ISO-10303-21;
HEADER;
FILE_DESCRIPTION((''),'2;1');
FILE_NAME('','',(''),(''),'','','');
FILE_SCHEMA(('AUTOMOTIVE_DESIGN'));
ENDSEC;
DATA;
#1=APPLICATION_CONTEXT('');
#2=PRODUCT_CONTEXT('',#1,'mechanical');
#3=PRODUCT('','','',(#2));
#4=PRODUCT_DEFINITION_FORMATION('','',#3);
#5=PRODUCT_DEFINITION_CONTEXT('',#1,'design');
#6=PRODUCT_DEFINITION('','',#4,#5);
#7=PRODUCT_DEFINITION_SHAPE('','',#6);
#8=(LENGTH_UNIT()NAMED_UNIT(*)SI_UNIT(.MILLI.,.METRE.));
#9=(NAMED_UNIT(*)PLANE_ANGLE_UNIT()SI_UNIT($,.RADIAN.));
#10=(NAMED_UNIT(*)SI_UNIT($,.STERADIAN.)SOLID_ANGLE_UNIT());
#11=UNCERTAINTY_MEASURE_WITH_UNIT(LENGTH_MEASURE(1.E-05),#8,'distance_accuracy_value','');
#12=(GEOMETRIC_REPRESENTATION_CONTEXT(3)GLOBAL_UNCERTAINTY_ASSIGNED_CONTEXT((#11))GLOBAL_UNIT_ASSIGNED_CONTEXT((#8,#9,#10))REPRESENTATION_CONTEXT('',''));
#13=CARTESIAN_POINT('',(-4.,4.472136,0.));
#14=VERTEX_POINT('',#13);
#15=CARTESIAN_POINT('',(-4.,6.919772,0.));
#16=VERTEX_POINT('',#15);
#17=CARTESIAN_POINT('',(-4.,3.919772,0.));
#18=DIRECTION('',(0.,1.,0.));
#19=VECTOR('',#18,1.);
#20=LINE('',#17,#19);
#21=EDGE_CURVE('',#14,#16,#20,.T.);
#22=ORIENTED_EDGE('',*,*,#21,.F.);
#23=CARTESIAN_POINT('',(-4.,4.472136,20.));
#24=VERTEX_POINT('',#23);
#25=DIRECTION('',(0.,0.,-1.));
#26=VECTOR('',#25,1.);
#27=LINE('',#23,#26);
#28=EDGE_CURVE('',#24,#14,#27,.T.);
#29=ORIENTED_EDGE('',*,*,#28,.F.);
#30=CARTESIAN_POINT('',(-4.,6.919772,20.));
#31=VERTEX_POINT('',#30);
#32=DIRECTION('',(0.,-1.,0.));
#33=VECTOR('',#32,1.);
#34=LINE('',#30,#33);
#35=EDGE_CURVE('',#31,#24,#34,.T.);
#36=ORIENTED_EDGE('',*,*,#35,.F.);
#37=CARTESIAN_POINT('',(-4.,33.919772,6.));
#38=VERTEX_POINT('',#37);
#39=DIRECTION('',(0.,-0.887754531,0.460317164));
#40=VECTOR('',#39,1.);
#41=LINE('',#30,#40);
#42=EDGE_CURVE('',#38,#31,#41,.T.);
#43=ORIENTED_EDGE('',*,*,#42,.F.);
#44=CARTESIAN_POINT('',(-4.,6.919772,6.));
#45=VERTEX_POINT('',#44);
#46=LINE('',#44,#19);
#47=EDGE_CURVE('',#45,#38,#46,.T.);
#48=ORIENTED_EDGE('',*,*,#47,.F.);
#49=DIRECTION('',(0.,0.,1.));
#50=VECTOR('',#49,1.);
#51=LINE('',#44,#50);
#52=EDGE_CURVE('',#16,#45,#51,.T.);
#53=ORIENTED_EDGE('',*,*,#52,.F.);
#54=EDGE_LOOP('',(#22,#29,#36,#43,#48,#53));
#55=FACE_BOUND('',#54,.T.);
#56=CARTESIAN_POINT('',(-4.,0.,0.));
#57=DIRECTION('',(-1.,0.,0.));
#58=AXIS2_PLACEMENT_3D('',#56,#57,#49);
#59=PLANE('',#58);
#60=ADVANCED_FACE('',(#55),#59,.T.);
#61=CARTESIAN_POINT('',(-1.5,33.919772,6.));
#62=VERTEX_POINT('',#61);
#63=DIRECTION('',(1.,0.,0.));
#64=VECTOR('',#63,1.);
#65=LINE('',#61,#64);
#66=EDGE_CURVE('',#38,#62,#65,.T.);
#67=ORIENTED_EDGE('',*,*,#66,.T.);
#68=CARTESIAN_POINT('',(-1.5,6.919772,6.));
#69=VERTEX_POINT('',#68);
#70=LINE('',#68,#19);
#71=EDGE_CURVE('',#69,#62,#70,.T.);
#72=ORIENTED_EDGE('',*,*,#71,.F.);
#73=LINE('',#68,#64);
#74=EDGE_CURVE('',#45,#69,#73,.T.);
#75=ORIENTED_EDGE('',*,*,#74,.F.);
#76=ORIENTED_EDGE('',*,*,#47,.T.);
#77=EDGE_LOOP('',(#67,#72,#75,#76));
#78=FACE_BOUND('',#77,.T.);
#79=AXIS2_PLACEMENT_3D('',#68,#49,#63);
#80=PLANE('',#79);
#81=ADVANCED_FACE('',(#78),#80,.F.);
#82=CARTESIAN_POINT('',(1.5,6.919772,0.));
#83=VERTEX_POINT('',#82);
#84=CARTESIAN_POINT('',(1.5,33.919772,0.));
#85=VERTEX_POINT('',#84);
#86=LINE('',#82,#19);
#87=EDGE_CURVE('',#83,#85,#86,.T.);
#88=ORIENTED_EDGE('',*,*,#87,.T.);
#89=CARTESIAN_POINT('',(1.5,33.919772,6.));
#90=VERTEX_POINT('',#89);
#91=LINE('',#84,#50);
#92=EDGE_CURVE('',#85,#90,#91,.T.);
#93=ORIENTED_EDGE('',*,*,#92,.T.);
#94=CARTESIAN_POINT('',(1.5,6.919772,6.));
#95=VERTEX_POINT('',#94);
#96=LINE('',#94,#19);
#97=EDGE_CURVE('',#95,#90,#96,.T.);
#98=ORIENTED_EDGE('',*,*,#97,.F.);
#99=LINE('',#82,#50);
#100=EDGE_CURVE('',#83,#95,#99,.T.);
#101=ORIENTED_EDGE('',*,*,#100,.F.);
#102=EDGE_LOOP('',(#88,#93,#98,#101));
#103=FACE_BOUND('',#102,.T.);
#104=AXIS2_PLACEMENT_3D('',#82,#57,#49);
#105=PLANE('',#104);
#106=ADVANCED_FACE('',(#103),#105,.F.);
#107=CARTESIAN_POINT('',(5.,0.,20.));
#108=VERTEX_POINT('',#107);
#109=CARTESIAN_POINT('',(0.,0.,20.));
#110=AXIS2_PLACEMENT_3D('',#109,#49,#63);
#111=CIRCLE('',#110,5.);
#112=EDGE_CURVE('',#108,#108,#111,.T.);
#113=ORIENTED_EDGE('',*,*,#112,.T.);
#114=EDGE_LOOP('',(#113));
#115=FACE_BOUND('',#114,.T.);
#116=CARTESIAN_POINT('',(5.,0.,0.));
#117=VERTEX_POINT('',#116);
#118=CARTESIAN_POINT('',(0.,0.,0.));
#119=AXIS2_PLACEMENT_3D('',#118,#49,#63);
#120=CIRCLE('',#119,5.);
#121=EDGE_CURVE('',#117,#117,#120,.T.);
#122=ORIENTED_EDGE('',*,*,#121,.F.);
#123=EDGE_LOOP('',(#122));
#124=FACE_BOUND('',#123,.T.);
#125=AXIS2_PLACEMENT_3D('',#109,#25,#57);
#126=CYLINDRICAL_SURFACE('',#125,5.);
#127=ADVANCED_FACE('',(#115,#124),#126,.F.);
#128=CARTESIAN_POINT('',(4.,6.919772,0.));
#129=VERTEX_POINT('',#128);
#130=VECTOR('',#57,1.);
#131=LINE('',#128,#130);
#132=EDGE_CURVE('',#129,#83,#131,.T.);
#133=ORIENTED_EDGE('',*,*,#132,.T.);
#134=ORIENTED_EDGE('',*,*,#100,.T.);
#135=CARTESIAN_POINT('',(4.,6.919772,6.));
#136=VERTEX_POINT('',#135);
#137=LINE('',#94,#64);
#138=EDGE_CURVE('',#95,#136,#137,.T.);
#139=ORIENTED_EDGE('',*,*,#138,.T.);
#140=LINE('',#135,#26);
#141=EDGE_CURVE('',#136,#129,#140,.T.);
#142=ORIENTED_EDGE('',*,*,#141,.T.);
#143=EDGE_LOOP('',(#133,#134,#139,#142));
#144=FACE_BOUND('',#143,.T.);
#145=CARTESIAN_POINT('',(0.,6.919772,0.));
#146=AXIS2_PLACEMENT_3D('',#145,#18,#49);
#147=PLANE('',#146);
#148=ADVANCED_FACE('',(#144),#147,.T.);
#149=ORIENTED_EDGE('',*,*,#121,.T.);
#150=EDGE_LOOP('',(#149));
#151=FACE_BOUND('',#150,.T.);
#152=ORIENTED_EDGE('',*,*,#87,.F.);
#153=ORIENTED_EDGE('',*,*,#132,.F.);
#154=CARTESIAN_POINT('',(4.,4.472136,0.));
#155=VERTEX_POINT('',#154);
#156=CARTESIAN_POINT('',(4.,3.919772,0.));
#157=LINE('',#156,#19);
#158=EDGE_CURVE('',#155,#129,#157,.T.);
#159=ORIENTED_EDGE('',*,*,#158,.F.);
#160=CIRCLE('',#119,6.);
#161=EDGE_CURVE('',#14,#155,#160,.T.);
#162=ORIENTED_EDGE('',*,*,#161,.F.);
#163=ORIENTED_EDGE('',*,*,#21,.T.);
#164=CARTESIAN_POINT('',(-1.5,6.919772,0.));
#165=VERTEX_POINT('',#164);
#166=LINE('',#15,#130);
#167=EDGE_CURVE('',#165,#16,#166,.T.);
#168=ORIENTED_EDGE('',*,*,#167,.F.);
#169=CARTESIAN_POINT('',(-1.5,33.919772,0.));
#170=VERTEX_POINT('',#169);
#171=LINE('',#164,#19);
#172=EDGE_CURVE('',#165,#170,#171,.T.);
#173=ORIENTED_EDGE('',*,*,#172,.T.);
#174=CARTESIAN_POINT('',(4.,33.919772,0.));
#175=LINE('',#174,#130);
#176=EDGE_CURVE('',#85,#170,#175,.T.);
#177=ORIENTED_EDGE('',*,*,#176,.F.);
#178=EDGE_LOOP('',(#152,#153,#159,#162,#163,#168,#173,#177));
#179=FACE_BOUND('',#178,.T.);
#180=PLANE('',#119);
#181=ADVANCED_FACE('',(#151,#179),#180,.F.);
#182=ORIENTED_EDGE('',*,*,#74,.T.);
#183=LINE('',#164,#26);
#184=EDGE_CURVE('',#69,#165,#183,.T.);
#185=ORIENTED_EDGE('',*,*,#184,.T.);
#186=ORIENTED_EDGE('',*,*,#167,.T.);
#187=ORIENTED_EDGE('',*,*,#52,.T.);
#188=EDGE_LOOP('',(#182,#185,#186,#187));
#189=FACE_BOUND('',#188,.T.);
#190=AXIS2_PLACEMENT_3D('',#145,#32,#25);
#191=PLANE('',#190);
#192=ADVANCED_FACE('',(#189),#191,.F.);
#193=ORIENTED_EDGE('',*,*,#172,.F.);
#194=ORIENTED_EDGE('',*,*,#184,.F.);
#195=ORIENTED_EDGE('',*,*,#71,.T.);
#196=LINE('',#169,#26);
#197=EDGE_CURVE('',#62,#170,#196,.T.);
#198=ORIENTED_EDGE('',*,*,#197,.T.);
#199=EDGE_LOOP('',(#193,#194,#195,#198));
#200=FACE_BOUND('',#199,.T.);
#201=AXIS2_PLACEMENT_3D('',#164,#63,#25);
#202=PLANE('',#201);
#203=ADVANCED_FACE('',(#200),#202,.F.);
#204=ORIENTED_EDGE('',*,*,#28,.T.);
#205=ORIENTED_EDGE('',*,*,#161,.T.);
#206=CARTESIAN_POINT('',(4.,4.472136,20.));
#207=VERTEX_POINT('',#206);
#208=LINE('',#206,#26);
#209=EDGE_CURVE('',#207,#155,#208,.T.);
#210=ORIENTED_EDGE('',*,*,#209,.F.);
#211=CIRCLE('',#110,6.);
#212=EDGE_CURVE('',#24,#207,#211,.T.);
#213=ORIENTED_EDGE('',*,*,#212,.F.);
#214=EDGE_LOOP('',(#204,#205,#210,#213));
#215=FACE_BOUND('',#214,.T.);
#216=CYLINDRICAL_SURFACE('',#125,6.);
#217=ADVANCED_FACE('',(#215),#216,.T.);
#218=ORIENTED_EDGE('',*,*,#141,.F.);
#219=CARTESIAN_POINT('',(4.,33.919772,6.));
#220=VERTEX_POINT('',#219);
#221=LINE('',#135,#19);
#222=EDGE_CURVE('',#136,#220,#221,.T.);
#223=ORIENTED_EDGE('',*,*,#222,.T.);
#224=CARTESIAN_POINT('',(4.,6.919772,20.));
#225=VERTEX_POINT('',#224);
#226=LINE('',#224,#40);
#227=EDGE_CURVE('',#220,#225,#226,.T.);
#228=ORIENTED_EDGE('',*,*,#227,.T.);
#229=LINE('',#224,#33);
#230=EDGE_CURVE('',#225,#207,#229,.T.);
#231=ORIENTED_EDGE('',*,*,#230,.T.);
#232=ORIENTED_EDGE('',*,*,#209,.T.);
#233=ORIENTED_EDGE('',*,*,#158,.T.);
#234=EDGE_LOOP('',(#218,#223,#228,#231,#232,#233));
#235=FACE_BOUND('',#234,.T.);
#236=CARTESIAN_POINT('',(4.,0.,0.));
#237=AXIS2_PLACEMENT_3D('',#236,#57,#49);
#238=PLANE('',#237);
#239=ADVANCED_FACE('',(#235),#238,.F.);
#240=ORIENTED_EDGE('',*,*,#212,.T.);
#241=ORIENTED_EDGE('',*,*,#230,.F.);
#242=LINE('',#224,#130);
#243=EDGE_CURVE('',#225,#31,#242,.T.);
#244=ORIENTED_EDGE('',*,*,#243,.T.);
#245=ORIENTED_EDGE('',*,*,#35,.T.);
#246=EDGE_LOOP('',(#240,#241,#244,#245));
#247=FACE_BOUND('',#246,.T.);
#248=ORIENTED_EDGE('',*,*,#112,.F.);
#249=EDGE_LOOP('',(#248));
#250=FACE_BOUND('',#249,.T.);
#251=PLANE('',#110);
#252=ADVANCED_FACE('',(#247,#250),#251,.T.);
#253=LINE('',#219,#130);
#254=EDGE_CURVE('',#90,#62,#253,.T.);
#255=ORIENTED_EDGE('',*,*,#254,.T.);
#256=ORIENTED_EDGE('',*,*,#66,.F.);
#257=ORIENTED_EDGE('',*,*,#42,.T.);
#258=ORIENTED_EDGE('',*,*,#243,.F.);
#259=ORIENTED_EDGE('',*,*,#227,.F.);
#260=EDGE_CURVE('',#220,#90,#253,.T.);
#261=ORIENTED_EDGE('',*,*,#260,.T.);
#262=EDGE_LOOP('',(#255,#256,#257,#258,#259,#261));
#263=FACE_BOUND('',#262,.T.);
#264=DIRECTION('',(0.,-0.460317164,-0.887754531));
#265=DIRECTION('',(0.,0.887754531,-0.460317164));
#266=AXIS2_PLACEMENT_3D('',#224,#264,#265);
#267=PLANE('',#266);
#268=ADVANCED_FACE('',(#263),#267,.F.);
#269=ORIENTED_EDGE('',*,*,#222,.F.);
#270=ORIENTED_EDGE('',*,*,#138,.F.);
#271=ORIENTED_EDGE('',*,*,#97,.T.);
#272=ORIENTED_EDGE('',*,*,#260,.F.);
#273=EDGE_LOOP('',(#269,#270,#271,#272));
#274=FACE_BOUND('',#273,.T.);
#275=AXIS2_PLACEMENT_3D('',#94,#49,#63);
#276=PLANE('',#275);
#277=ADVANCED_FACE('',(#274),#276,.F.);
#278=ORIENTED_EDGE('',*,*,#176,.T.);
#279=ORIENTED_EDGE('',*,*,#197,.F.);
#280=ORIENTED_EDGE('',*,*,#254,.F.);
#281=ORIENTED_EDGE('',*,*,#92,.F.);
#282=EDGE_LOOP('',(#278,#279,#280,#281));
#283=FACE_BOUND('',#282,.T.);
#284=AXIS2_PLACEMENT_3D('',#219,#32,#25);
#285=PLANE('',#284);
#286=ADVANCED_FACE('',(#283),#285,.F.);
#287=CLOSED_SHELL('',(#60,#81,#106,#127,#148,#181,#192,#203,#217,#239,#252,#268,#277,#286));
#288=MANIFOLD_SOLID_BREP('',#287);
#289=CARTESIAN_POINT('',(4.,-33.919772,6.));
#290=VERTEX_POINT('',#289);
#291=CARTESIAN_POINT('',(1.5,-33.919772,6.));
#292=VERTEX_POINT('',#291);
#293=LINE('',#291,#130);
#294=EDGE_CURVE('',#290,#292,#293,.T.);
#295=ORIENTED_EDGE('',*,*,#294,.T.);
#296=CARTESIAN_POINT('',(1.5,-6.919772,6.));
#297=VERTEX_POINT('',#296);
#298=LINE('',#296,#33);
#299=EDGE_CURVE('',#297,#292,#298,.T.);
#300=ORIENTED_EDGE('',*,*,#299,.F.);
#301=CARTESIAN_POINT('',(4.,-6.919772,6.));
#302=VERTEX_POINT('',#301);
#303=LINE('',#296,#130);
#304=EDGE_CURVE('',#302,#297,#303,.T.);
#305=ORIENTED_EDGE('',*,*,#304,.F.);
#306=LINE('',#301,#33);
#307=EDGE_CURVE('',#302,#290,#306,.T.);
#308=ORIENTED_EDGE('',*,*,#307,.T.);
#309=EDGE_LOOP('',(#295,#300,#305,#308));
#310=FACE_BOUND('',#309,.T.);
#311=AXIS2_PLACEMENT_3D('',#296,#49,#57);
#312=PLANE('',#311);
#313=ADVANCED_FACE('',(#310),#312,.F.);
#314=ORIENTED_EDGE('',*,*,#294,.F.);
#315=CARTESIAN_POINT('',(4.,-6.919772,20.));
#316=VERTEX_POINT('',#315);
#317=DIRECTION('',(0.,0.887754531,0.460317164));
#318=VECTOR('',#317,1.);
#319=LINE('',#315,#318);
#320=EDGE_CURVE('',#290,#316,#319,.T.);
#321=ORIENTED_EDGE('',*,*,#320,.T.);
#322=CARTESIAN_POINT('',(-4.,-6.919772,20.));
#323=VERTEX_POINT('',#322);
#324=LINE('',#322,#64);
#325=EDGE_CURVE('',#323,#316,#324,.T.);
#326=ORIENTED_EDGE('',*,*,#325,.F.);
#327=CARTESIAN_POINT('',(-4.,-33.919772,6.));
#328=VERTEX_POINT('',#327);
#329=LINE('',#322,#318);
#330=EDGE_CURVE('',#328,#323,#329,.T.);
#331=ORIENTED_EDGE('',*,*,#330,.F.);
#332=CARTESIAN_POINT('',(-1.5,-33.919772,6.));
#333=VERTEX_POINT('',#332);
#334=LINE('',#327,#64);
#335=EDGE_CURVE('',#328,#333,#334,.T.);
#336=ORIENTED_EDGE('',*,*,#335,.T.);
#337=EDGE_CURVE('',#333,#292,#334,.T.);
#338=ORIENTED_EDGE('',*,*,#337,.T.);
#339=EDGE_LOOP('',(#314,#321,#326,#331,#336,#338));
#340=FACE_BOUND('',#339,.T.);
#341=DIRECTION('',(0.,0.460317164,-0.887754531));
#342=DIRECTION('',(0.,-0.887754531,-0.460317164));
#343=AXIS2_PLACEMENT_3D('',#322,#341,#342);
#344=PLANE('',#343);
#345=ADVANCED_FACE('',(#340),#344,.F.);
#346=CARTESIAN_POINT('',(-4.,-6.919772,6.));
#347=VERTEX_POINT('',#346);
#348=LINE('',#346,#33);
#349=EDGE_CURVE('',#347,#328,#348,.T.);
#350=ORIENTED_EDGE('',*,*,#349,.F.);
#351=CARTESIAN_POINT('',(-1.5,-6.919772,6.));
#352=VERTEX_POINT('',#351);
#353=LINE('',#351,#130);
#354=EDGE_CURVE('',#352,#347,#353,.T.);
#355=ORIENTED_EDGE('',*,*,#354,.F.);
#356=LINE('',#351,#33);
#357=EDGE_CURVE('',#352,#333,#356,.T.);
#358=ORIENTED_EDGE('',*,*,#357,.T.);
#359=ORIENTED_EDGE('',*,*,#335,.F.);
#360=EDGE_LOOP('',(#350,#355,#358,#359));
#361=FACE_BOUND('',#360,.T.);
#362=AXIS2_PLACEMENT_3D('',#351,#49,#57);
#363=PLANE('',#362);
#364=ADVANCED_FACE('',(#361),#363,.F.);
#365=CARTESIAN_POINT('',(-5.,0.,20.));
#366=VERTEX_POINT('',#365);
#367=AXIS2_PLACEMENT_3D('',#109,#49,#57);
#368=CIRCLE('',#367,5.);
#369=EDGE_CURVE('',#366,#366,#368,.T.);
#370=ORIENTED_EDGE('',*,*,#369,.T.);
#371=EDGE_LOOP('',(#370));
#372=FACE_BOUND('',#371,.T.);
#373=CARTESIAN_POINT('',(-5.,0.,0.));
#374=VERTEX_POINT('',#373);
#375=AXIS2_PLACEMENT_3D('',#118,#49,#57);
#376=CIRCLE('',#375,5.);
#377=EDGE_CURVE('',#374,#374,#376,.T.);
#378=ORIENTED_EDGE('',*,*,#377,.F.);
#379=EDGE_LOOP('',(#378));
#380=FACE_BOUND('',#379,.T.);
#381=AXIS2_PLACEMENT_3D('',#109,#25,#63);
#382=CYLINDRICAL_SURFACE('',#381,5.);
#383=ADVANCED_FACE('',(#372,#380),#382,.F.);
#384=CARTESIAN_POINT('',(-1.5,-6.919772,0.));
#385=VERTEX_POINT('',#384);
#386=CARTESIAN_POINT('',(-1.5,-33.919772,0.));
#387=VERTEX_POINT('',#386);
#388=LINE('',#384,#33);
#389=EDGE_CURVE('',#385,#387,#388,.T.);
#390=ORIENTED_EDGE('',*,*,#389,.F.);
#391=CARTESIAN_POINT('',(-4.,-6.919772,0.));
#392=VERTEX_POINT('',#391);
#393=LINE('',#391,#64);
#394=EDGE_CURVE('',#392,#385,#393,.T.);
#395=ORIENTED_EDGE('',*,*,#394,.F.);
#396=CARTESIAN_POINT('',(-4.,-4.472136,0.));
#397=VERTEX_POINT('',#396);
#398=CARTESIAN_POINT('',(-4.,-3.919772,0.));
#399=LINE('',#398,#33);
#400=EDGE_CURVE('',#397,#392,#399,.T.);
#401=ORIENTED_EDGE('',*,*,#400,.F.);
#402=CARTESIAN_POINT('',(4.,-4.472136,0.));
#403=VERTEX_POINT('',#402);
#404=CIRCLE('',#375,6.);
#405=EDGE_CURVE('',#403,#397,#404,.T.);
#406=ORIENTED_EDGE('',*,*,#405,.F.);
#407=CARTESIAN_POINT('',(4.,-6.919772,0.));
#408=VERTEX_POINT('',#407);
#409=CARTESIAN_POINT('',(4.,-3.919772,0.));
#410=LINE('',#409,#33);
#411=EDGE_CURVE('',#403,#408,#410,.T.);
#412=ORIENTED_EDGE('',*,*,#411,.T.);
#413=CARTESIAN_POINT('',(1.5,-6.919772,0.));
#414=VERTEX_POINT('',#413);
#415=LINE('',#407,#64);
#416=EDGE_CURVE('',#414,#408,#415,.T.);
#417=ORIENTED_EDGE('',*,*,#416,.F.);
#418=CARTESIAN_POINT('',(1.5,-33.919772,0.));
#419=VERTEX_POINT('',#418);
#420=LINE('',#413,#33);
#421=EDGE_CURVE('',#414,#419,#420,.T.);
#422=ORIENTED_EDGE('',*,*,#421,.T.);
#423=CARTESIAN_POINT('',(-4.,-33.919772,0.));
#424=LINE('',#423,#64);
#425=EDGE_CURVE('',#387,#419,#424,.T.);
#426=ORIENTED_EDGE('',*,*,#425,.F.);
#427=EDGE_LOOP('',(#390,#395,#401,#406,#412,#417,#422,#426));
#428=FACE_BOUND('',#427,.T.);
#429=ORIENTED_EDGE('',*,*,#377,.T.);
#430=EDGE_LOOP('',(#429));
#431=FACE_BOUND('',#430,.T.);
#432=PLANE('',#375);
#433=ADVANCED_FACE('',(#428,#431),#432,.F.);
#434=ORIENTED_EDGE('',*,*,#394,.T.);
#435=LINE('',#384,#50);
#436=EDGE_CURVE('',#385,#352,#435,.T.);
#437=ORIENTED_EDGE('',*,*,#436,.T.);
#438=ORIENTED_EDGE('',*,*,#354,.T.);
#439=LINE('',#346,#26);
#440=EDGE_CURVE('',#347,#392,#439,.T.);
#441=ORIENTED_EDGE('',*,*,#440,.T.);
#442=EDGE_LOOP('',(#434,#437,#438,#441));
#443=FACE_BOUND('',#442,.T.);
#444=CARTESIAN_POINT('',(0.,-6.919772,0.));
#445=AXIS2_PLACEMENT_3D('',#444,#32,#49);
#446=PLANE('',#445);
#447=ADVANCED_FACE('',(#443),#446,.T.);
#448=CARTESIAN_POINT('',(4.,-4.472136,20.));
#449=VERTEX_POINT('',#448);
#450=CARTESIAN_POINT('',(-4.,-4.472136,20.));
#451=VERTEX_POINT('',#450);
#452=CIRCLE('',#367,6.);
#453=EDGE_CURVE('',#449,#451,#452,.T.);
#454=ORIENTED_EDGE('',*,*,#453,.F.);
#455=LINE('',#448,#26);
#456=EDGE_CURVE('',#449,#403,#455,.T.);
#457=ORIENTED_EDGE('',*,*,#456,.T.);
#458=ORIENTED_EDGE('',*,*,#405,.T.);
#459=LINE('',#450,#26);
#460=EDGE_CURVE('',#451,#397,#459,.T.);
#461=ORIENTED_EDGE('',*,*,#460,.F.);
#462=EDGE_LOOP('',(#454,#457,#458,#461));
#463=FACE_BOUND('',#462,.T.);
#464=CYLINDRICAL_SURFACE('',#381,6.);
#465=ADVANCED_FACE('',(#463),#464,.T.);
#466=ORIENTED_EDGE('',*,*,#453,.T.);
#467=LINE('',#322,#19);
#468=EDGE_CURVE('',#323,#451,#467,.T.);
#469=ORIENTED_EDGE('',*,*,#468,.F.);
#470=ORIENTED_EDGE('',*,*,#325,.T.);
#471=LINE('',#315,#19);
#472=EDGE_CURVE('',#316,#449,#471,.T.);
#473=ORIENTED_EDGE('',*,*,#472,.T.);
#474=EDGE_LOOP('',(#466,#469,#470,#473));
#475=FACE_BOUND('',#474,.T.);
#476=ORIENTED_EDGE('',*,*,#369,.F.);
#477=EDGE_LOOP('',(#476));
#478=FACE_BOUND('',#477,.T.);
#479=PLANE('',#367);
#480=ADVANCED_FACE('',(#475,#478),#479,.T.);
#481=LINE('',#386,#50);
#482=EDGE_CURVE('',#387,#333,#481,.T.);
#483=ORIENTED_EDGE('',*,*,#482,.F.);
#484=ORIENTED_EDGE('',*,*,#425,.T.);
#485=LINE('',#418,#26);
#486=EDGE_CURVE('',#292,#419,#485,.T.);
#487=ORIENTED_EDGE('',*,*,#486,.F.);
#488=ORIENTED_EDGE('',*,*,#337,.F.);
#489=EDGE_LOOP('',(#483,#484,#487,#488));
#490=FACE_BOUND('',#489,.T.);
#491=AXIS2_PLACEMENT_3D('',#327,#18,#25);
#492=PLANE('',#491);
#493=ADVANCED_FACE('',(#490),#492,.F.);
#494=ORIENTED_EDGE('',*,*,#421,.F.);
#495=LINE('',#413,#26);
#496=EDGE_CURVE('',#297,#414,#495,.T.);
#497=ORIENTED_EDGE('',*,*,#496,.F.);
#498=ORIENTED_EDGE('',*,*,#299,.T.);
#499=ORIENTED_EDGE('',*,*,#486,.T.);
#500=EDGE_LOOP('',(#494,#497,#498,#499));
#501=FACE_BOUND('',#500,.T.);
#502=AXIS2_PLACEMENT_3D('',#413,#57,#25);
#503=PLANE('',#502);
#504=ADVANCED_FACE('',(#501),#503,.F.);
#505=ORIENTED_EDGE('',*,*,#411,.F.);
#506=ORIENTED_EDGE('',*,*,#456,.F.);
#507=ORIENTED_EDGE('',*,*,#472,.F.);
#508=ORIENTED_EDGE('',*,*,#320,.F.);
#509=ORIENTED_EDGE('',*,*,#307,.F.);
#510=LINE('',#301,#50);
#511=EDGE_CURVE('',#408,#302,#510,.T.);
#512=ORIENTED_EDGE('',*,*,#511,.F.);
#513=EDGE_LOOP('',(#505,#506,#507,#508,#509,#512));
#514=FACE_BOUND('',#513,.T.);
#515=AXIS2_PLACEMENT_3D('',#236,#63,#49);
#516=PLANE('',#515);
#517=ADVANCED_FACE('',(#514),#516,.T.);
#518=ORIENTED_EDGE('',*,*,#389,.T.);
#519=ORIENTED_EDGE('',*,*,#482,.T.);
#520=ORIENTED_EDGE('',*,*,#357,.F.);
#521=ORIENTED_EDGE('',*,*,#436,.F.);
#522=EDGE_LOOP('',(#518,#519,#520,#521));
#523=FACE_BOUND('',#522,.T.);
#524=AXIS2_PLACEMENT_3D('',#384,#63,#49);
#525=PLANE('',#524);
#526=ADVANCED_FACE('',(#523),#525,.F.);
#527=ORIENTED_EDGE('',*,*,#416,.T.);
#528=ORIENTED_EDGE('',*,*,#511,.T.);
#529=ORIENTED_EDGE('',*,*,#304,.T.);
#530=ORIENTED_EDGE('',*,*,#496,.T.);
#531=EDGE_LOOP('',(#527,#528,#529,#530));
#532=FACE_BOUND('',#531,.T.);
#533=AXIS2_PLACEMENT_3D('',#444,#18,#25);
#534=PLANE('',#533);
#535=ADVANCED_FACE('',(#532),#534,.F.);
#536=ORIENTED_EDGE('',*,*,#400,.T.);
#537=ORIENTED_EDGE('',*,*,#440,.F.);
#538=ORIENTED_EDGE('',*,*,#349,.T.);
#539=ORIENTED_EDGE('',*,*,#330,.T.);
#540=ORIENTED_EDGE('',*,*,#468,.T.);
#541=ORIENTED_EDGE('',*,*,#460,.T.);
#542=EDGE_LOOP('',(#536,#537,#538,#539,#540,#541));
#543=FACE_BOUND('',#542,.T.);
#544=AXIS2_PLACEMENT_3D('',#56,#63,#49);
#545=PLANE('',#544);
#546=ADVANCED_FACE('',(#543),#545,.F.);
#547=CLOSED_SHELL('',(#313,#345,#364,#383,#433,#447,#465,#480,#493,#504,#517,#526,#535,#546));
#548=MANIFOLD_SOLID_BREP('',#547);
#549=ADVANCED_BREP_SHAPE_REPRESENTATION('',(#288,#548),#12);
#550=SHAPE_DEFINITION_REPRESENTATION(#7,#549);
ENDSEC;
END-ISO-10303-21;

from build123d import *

# Parameters (mm, degrees)
SKETCH1_R             = 6
SKETCH1_R_2           = 5
BOSS_EXTRUDE1_DEPTH   = 20
BOSS_EXTRUDE2_DEPTH   = 4
SKETCH3_W             = 2.5
SKETCH3_H             = 6
CUT_EXTRUDE1_DEPTH    = 27.000002
BODY_MOVE_COPY1_ANGLE = 180
SKETCH4_R             = 5
CUT_EXTRUDE2_DEPTH    = 40.831531803


with BuildPart() as part:
    # Sketch1 → Boss-Extrude1 (new body)
    with BuildSketch(Plane.XY):
        Circle(SKETCH1_R)
        Circle(SKETCH1_R_2, mode=Mode.SUBTRACT)
    extrude(amount=BOSS_EXTRUDE1_DEPTH)

    # Sketch2 → Boss-Extrude2 (add, symmetric)
    with BuildSketch(Plane(origin=(0, 0, 0), x_dir=(0, 0, -1), z_dir=(1, 0, 0))):
        Polygon((-20, 6.9197719), (-20, 3.9197719), (0, 3.9197719), (0, 33.9197719), (-6, 33.9197719), align=None)
    extrude(amount=BOSS_EXTRUDE2_DEPTH, both=True)

    # Sketch3 → Cut-Extrude1 (cut)
    with BuildSketch(Plane(origin=(0, 33.9197719, 0), x_dir=(1, 0, 0), z_dir=(0, 1, 0))):
        with Locations((-2.75, -3)):
            Rectangle(SKETCH3_W, SKETCH3_H)
        with Locations((2.75, -3)):
            Rectangle(SKETCH3_W, SKETCH3_H)
    extrude(amount=-CUT_EXTRUDE1_DEPTH, mode=Mode.SUBTRACT)


with BuildPart() as body_2:
    # Body-Move/Copy1: copy of part
    add(part.part.rotate(Axis((0, 0, 0), (0, 0, 1)), BODY_MOVE_COPY1_ANGLE))


with BuildPart() as cut_extrude2_tool:
    # Sketch4 → Cut-Extrude2 (new, through all)
    with BuildSketch(Plane(origin=(0, 0, 0), x_dir=(-1, 0, 0), z_dir=(0, 0, -1))):
        Circle(SKETCH4_R)
    extrude(amount=-CUT_EXTRUDE2_DEPTH)


with BuildPart() as part_1:
    add(part.part)

    # Cut-Extrude2: cut by cut_extrude2_tool
    add(cut_extrude2_tool.part, mode=Mode.SUBTRACT)


with BuildPart() as body_2_1:
    add(body_2.part)

    # Cut-Extrude2: cut by cut_extrude2_tool
    add(cut_extrude2_tool.part, mode=Mode.SUBTRACT)


solid = Compound([part_1.part, body_2_1.part])
